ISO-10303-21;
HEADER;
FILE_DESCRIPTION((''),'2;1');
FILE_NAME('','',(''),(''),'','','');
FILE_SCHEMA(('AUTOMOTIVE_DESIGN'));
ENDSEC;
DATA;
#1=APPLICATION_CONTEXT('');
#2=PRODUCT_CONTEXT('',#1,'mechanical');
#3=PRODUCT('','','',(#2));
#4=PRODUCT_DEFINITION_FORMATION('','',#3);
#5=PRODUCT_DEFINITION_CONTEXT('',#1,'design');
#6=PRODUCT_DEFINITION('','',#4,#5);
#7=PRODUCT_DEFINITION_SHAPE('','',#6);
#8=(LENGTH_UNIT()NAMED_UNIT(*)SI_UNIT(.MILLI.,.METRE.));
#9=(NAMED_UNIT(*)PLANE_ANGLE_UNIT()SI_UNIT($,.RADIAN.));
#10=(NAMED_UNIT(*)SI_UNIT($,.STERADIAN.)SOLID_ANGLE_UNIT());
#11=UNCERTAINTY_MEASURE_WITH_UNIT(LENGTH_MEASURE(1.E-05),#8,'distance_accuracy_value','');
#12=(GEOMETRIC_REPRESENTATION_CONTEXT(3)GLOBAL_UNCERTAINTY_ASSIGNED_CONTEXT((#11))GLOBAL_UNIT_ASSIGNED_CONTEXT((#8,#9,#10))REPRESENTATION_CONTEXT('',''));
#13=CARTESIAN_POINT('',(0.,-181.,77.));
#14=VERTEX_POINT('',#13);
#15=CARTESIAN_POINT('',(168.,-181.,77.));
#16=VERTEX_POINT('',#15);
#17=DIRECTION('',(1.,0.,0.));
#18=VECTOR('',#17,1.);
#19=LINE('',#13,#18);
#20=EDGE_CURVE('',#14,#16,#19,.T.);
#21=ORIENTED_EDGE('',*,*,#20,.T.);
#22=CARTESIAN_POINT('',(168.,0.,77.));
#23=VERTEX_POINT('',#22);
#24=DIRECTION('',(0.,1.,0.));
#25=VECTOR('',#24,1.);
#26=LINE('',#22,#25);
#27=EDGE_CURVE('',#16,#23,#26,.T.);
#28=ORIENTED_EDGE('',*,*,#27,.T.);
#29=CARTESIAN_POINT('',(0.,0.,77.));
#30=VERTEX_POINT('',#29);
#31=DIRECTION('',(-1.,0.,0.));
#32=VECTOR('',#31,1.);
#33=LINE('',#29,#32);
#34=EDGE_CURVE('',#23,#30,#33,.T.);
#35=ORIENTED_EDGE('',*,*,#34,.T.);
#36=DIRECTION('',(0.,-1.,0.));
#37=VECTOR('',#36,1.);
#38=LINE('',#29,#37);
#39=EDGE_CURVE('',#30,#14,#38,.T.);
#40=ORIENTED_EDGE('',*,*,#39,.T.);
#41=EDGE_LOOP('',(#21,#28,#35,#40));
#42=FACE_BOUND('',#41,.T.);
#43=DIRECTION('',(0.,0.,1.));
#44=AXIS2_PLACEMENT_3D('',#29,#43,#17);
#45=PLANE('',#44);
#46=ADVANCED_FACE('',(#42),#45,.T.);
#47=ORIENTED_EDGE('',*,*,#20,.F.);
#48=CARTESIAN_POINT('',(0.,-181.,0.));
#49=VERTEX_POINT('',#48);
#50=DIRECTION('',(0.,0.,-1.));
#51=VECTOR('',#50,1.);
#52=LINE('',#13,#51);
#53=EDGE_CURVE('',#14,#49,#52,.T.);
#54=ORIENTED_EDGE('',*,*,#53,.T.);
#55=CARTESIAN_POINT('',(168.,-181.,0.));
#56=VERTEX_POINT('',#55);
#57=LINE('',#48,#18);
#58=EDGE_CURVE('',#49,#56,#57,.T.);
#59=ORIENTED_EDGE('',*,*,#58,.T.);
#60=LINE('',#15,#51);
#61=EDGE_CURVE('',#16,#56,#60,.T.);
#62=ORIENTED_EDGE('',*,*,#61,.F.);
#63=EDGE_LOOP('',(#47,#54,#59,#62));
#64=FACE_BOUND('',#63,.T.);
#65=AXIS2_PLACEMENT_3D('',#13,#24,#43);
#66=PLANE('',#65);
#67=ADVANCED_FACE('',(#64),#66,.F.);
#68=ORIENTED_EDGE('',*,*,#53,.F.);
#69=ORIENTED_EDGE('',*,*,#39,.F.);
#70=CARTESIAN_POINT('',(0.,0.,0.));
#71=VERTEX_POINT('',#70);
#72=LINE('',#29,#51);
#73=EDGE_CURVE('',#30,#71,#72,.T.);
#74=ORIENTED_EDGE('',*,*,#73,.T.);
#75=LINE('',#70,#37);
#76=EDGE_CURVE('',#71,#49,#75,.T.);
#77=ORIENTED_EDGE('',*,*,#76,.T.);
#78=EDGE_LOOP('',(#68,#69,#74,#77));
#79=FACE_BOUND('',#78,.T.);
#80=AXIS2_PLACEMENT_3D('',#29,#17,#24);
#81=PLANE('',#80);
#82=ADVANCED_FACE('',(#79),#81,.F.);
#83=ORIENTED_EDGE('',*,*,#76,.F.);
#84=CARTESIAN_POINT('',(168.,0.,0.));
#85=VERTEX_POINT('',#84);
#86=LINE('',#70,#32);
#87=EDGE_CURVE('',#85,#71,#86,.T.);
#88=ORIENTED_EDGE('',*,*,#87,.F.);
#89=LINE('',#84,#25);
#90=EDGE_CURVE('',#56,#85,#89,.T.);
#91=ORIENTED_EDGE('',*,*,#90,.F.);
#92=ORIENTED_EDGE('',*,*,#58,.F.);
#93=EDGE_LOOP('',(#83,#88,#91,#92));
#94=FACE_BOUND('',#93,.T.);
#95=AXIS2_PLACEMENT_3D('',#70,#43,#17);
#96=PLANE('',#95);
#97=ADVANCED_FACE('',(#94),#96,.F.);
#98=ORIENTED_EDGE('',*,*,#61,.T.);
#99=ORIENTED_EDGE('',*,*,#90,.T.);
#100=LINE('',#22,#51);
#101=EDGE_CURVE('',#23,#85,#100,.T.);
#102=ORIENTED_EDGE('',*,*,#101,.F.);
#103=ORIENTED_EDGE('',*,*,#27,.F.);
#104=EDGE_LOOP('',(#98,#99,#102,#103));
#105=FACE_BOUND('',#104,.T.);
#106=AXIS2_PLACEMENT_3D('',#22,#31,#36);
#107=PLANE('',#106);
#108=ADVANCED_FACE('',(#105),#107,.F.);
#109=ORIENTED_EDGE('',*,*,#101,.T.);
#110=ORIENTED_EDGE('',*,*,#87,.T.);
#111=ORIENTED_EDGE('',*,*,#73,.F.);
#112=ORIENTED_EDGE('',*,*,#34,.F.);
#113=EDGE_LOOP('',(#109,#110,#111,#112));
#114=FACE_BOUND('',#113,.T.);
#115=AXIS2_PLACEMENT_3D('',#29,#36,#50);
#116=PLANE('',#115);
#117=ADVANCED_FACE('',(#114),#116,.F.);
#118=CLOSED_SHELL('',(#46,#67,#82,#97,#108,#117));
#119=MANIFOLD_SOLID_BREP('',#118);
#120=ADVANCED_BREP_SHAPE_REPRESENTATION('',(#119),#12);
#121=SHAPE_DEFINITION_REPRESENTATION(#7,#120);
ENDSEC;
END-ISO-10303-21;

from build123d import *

# Parameters (mm, degrees)
SKETCH1_W           = 168
SKETCH1_H           = 181
BOSS_EXTRUDE1_DEPTH = 77


with BuildPart() as part:
    # Sketch1 → Boss-Extrude1 (new body)
    with BuildSketch(Plane.XY):
        with Locations((84, -90.5)):
            Rectangle(SKETCH1_W, SKETCH1_H)
    extrude(amount=BOSS_EXTRUDE1_DEPTH)


solid = part.part
